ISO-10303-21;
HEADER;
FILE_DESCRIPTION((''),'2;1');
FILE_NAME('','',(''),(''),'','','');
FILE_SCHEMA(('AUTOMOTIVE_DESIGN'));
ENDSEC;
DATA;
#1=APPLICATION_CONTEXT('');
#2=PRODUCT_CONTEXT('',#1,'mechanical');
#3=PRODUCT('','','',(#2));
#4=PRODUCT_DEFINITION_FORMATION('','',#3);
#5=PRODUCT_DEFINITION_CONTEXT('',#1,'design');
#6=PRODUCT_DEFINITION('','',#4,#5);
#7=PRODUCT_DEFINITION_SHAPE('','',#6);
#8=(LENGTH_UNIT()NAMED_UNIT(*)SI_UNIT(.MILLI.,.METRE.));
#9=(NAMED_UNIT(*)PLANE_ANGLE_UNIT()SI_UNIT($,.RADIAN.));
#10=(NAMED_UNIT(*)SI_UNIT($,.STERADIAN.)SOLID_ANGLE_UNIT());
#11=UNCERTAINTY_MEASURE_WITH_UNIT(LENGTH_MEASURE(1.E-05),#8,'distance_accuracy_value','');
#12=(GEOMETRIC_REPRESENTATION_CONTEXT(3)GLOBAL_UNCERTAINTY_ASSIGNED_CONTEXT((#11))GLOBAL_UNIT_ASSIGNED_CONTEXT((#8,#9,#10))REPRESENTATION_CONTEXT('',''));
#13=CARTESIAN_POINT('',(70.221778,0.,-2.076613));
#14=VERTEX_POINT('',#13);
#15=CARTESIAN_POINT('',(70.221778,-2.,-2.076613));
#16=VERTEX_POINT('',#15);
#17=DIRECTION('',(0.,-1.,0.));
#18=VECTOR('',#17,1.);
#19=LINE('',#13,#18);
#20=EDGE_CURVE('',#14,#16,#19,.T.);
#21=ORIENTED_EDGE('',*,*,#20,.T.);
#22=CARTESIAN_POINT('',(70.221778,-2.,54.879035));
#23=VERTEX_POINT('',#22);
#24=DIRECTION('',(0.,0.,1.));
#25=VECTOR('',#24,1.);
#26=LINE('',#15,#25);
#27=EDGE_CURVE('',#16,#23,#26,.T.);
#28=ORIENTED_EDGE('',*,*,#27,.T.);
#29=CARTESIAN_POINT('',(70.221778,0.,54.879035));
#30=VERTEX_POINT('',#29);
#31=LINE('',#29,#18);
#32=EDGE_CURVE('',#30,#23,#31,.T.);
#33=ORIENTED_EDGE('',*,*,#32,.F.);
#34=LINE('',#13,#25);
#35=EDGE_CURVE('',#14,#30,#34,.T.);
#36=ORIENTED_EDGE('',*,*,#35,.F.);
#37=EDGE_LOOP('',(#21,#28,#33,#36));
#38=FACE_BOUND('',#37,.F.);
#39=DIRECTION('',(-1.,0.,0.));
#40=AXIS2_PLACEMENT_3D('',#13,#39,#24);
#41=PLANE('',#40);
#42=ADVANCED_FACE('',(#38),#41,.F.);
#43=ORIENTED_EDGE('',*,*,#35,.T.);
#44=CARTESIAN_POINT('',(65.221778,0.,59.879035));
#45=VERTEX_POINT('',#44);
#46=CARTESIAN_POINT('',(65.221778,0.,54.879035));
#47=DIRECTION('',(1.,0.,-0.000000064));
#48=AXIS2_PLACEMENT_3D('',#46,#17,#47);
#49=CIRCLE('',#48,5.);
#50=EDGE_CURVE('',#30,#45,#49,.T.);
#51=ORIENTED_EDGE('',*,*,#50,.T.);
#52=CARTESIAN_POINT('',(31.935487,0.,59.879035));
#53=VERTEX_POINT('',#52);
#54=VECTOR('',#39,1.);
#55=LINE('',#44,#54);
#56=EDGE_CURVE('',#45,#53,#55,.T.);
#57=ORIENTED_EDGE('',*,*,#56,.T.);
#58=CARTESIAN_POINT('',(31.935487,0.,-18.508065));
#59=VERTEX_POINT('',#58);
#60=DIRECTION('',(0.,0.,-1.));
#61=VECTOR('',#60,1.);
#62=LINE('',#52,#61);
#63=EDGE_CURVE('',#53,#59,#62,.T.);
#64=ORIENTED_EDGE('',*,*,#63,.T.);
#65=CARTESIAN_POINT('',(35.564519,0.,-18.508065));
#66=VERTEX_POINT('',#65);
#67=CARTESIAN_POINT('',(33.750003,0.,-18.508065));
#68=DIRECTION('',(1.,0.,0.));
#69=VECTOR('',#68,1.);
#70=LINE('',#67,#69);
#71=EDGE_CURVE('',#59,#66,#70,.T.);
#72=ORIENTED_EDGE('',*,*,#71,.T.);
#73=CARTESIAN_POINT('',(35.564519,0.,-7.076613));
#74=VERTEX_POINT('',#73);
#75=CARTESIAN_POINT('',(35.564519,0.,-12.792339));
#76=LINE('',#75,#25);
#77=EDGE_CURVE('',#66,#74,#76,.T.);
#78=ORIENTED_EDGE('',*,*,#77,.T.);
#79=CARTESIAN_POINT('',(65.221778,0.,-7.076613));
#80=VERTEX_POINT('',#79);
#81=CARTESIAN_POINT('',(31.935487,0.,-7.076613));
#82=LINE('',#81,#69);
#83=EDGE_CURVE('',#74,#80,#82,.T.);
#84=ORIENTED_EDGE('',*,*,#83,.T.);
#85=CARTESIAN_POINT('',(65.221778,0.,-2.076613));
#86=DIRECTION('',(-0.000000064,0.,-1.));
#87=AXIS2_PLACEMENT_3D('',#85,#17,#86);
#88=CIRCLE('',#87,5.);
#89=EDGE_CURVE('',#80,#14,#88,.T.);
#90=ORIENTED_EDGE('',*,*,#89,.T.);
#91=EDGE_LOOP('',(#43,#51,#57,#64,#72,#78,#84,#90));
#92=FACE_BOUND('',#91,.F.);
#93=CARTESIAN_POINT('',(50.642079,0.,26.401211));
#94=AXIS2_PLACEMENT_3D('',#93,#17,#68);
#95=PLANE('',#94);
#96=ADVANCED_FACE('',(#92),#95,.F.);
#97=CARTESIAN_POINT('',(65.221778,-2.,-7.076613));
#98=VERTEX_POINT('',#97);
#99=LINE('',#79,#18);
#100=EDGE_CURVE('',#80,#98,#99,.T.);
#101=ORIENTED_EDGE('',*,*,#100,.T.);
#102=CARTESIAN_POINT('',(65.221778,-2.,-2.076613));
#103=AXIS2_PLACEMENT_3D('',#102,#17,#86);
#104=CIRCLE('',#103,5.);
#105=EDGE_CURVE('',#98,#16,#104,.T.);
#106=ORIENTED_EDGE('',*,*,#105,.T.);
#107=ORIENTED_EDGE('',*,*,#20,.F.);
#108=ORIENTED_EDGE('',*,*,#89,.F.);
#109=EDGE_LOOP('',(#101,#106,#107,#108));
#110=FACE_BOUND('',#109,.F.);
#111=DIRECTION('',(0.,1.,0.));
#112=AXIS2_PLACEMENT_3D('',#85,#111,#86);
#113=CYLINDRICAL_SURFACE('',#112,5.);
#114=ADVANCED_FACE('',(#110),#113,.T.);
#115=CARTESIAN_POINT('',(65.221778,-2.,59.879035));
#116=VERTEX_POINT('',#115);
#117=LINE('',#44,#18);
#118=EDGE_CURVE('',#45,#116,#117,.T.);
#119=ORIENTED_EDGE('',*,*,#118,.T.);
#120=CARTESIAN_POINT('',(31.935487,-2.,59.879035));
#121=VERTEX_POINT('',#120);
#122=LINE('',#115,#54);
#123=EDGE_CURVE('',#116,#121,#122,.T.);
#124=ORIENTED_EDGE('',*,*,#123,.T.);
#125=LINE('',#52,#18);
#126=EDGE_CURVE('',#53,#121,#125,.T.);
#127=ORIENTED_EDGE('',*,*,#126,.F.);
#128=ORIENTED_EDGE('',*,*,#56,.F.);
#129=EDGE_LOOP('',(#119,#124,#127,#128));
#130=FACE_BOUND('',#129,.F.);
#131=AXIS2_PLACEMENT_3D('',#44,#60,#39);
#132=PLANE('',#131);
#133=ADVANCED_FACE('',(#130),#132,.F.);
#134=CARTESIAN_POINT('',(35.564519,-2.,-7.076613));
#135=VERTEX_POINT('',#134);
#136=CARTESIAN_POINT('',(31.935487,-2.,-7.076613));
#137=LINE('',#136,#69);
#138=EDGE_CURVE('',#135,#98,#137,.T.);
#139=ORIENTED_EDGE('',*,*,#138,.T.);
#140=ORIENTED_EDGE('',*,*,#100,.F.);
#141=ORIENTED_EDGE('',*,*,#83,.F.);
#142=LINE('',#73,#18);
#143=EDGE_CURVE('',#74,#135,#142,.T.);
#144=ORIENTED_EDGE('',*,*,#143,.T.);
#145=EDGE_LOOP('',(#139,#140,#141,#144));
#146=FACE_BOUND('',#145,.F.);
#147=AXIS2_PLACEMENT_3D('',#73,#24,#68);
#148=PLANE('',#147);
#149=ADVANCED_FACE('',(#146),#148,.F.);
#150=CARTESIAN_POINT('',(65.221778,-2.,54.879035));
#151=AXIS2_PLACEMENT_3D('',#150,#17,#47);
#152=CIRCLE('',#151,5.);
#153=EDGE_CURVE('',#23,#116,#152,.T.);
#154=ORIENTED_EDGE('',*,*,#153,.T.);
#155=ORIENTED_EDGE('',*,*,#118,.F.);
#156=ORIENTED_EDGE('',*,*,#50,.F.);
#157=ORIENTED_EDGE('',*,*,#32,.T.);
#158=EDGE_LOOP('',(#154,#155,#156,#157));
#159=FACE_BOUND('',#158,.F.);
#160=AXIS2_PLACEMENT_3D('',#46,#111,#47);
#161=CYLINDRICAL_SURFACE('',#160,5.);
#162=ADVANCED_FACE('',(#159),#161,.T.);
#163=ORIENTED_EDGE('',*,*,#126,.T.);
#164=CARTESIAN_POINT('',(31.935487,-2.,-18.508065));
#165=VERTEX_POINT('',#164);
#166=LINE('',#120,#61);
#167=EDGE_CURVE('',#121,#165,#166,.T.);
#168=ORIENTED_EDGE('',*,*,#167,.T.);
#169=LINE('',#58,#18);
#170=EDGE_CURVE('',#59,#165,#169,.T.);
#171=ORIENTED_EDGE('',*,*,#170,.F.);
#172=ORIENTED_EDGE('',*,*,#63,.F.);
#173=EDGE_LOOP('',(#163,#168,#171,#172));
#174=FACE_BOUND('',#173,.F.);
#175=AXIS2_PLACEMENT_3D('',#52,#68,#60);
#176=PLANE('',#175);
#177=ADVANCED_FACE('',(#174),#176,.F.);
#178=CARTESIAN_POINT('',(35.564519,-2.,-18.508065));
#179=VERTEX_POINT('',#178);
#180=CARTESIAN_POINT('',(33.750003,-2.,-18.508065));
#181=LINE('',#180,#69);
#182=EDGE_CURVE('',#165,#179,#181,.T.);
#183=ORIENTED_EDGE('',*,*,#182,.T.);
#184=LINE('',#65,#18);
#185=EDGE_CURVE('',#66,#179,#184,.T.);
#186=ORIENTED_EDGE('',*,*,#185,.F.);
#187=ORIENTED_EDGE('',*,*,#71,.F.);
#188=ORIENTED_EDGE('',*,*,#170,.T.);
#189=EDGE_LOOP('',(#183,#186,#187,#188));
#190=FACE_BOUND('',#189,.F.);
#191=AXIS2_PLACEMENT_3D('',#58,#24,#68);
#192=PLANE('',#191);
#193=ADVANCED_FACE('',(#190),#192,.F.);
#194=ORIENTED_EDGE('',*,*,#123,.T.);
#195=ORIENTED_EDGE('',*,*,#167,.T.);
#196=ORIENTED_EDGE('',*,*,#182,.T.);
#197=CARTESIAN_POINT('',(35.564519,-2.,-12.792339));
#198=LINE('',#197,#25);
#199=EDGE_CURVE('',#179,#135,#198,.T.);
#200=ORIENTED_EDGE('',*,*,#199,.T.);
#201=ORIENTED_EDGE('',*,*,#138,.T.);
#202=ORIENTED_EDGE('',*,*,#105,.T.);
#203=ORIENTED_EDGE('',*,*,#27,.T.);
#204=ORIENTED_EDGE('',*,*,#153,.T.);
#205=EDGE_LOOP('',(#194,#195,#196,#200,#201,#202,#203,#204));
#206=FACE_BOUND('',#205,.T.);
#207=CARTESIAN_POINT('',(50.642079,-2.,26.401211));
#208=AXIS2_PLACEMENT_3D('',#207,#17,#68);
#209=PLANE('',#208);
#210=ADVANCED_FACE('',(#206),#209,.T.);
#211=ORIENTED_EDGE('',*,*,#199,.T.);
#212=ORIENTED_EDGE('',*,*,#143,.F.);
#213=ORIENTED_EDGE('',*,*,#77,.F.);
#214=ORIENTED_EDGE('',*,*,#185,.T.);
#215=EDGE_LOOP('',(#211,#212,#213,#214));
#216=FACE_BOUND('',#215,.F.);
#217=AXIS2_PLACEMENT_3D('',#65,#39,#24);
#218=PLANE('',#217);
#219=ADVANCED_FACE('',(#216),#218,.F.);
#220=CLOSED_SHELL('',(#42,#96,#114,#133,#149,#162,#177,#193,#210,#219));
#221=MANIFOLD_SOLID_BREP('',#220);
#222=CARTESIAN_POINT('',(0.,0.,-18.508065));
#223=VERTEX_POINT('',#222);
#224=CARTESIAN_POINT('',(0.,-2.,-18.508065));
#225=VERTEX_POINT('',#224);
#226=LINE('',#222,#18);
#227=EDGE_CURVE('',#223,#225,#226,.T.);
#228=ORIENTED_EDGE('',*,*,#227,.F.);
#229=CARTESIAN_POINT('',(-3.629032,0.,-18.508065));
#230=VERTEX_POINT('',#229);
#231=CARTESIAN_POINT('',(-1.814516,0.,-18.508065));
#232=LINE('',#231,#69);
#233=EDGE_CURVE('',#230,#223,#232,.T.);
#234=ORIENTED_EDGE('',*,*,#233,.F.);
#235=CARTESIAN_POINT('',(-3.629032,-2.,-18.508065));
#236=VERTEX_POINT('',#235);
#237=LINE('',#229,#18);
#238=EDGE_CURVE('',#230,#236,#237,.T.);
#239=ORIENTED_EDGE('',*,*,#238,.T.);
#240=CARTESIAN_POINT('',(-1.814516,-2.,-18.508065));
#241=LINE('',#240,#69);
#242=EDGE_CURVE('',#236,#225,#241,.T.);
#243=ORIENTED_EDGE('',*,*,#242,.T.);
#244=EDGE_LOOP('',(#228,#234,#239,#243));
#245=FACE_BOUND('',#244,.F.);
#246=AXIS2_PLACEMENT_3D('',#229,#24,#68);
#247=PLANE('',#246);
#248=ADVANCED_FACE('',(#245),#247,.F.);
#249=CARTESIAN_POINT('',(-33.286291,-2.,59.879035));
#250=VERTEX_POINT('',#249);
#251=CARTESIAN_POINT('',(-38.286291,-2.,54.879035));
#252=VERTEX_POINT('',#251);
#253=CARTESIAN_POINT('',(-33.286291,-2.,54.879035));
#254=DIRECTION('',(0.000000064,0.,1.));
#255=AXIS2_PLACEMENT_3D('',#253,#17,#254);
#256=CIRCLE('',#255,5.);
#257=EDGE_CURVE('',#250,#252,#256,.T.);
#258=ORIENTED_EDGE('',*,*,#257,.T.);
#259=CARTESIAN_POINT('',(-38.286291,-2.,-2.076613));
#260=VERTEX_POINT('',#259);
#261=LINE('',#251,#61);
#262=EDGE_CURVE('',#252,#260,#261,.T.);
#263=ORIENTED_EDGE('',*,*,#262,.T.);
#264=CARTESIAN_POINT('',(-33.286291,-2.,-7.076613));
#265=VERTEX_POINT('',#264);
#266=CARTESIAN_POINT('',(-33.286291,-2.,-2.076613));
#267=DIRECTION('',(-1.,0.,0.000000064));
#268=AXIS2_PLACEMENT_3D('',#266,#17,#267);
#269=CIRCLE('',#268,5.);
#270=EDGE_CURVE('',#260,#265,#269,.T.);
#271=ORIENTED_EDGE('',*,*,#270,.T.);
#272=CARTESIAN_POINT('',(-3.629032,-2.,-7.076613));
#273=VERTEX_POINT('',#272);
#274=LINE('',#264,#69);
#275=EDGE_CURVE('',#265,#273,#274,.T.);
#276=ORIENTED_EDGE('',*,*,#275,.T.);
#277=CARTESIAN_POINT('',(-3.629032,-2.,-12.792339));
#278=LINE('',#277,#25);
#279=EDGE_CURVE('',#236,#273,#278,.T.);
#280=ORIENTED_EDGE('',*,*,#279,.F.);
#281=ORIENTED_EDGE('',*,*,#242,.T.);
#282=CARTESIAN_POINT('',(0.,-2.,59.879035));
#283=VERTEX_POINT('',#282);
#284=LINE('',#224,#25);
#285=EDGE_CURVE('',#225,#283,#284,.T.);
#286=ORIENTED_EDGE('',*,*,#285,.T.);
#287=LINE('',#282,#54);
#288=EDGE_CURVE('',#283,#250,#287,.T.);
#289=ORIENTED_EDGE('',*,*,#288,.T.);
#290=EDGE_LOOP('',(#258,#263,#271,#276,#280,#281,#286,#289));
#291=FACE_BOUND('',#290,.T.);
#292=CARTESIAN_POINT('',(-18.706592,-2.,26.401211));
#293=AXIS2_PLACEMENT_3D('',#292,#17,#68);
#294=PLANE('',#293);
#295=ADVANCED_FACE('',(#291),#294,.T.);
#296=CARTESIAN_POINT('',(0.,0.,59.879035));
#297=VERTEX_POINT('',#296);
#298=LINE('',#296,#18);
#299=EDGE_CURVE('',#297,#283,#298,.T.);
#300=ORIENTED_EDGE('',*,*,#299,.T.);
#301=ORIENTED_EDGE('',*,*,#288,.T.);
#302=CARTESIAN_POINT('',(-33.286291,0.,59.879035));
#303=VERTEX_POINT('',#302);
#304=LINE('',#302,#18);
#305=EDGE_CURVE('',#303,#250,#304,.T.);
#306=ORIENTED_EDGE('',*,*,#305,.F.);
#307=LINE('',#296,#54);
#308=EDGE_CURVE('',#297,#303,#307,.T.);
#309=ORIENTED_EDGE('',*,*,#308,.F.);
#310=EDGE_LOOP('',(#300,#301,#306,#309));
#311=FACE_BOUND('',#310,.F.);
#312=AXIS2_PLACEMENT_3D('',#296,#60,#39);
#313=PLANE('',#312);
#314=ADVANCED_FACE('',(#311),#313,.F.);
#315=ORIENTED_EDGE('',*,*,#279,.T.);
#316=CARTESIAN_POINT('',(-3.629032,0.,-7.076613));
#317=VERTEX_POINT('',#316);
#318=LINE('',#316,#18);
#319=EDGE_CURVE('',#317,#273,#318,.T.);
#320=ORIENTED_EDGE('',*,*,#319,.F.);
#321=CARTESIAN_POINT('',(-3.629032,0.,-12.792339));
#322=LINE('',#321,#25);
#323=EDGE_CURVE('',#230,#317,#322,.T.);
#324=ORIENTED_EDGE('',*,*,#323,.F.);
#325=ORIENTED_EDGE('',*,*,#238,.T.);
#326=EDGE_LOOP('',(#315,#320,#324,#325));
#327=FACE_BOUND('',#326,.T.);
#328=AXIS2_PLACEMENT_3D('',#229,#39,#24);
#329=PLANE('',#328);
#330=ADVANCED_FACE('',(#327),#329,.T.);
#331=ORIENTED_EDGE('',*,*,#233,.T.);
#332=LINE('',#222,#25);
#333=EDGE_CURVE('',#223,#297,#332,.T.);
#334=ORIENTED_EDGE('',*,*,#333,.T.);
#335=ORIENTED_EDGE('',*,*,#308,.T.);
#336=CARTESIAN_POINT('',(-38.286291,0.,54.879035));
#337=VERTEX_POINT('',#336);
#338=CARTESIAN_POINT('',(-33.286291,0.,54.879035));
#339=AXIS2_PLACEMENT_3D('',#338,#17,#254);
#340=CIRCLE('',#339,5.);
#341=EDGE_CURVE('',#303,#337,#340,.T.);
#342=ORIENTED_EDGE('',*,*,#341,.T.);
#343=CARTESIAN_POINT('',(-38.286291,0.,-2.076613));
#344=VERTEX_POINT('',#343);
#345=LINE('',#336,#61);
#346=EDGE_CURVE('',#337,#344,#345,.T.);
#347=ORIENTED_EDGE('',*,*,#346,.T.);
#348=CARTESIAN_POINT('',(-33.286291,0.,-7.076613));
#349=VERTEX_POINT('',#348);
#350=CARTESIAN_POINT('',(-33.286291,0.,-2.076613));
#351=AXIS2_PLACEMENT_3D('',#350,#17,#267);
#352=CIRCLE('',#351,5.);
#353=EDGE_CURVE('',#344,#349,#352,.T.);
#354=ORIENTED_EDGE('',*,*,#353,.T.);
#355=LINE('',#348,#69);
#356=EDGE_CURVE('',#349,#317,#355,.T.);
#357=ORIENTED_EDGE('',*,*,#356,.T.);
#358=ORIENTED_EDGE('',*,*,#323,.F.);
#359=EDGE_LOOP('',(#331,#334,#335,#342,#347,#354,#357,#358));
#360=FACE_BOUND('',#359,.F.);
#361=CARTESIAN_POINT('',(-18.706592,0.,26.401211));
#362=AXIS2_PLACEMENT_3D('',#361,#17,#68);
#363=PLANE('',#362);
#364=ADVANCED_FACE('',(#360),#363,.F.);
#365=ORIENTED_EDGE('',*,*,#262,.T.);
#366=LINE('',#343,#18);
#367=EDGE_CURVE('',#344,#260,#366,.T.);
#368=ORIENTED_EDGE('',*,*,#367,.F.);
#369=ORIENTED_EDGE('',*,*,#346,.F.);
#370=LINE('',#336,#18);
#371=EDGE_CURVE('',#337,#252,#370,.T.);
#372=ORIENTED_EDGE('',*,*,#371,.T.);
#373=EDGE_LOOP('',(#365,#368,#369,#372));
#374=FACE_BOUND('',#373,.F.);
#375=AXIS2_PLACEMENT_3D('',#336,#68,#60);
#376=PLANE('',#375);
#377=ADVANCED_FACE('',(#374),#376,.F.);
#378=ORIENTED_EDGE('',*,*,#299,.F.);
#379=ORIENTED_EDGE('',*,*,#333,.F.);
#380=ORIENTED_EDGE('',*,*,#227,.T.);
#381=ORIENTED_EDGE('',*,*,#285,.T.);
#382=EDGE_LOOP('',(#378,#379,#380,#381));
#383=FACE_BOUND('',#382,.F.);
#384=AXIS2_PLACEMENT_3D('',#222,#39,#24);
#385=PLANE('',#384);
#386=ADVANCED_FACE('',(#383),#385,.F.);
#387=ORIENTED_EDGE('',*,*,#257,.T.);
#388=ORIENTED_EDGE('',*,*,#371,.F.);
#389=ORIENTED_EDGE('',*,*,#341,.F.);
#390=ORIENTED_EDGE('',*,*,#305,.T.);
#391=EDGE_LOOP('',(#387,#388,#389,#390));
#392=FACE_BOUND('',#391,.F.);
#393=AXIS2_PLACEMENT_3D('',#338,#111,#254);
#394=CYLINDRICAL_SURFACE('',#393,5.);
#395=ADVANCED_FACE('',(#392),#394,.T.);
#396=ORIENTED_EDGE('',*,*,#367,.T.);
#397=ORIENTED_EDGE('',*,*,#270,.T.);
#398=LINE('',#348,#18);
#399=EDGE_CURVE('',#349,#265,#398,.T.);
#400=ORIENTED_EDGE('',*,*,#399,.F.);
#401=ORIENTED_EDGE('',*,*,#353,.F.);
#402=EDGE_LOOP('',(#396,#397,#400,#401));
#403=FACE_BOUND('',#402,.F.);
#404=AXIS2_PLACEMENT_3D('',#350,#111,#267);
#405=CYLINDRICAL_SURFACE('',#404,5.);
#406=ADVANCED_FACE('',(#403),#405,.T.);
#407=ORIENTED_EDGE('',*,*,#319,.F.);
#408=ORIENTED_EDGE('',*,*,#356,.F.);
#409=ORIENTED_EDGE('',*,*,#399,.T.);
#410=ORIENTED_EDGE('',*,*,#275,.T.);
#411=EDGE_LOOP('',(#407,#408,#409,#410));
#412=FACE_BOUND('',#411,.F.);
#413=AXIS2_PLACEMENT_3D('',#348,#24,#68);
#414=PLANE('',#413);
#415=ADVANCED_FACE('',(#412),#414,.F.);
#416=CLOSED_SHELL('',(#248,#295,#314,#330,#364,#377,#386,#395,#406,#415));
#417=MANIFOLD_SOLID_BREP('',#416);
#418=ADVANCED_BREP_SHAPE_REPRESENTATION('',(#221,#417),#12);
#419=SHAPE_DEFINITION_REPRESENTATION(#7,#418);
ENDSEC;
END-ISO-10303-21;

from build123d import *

# Parameters (mm, degrees)
F0_W     = 3.629032
F0_H     = 11.431452
F1_DEPTH = 2


with BuildPart() as f1:
    # F0 (on Front) → F1 (new body)
    with BuildSketch(Plane.XZ):
        with BuildLine():
            Line((0, 59.879035), (-33.286291, 59.879035))
            ThreePointArc((-33.286291, 59.879035), (-36.821825, 58.414569), (-38.286291, 54.879035))
            Line((-38.286291, 54.879035), (-38.286291, -2.076613))
            ThreePointArc((-38.286291, -2.076613), (-36.821825, -5.612147), (-33.286291, -7.076613))
            Line((-33.286291, -7.076613), (-3.629032, -7.076613))
            Line((-3.629032, -7.076613), (0, -7.076613))
            Line((0, -7.076613), (0, 59.879035))
        make_face()
        with Locations((-1.814516, -12.792339)):
            Rectangle(F0_W, F0_H)
        with BuildLine():
            ThreePointArc((70.221778, 54.879035), (68.757312, 58.414569), (65.221778, 59.879035))
            Line((65.221778, 59.879035), (31.935487, 59.879035))
            Line((31.935487, 59.879035), (31.935487, -7.076613))
            Line((31.935487, -7.076613), (35.564519, -7.076613))
            Line((35.564519, -7.076613), (65.221778, -7.076613))
            ThreePointArc((65.221778, -7.076613), (68.757312, -5.612147), (70.221778, -2.076613))
            Line((70.221778, -2.076613), (70.221778, 54.879035))
        make_face()
        with Locations((33.750003, -12.792339)):
            Rectangle(F0_W, F0_H)
    extrude(amount=F1_DEPTH)


solid = f1.part
